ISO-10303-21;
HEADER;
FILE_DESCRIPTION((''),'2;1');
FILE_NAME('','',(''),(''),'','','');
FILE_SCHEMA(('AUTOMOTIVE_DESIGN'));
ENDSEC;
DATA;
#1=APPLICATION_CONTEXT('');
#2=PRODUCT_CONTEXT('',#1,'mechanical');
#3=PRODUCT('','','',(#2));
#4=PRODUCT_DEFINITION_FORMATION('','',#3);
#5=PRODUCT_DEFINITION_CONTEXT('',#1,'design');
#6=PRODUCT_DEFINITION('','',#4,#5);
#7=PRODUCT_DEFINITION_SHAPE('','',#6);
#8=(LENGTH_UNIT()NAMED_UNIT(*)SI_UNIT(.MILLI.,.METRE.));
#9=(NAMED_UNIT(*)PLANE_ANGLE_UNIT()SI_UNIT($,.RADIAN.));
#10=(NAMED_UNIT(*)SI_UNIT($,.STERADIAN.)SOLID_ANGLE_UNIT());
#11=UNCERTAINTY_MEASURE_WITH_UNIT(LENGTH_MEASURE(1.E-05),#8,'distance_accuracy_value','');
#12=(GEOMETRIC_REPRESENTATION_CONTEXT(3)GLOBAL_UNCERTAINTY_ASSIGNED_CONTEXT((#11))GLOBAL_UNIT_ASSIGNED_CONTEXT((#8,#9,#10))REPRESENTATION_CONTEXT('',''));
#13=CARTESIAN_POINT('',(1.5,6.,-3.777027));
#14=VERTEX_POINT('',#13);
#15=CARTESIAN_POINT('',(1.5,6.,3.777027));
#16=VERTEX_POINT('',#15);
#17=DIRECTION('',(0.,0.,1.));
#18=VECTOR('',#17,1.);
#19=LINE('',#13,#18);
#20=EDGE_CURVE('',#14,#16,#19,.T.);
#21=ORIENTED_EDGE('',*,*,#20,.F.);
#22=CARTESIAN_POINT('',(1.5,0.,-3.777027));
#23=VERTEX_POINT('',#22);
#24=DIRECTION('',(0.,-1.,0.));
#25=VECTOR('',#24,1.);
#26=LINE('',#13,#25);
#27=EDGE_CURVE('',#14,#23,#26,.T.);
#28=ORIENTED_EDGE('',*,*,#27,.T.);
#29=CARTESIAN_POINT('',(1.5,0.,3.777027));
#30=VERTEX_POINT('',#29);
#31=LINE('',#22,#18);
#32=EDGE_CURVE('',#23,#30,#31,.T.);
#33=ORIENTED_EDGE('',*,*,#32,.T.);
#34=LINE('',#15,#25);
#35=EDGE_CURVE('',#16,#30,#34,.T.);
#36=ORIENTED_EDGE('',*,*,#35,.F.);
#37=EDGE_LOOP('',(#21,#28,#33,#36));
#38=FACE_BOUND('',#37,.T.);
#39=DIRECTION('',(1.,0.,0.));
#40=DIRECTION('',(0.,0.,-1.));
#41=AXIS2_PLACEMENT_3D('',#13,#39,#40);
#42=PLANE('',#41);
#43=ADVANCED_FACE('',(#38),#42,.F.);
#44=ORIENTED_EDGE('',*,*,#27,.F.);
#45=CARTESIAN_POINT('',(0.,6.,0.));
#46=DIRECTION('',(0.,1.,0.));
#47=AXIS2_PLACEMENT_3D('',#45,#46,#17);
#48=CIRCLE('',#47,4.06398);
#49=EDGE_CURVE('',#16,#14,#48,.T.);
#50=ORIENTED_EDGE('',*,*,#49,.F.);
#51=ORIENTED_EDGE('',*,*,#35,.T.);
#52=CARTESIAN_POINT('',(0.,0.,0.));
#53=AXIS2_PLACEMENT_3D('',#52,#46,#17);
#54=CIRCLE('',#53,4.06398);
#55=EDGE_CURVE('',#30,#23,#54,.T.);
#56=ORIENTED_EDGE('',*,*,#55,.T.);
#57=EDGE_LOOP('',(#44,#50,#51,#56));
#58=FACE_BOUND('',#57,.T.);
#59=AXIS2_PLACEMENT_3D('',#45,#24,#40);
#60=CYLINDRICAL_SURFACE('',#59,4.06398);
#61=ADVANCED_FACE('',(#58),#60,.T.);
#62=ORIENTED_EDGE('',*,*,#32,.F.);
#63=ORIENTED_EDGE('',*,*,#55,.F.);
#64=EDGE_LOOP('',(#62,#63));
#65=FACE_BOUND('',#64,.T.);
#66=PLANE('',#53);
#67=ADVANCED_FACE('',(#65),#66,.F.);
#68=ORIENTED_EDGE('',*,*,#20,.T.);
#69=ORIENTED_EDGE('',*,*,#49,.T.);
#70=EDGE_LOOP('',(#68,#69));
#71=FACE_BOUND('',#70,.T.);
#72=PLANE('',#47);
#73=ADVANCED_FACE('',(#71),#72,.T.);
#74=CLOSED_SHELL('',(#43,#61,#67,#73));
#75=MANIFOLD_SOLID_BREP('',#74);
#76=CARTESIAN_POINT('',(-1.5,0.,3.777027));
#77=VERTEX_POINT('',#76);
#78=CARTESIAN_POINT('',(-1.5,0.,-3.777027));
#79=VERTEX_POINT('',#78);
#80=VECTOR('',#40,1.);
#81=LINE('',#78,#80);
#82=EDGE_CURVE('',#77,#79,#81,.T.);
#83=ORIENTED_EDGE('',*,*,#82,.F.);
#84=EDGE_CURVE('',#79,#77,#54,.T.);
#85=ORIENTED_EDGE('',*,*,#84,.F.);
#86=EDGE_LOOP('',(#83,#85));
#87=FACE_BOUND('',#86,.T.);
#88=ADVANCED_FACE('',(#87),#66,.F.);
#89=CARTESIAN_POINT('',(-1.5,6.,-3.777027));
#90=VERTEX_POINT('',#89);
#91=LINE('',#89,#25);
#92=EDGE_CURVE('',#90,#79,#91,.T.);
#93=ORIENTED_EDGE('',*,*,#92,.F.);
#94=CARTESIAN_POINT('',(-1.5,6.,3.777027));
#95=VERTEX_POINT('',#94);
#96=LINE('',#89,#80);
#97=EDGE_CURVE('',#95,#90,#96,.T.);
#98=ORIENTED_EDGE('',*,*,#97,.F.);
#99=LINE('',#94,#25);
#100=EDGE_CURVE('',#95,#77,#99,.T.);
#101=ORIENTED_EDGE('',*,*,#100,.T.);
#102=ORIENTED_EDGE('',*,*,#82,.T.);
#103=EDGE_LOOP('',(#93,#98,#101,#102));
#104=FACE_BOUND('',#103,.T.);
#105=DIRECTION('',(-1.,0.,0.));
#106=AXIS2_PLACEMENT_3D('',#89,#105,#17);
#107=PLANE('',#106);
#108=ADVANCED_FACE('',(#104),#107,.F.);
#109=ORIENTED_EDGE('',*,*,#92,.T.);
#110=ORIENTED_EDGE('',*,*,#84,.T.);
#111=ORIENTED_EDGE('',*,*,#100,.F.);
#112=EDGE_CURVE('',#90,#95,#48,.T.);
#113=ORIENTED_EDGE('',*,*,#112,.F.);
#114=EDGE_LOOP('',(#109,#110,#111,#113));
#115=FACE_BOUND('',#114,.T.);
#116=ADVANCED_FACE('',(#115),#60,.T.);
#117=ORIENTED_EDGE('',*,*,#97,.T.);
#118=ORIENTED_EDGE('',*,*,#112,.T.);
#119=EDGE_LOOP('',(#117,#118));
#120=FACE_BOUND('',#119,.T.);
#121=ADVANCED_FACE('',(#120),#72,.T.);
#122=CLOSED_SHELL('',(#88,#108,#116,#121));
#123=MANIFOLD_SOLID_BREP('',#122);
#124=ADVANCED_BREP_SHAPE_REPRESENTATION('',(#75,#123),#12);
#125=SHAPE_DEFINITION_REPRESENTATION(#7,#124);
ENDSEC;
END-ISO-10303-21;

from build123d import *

# Parameters (mm, degrees)
BOSS_EXTRUDE1_DEPTH   = 6
BOSS_EXTRUDE1_2_DEPTH = 6


with BuildPart() as part:
    # Sketch2 → Boss-Extrude1 (new body)
    with BuildSketch(Plane(origin=(0, 0, 0), x_dir=(1, 0, 0), z_dir=(0, 1, 0))):
        with BuildLine():
            Line((-1.5, 3.777027027), (-1.5, -3.777027027))
            ThreePointArc((-1.5, -3.777027027), (-4.063979966, 0), (-1.5, 3.777027027))
        make_face()
    extrude(amount=BOSS_EXTRUDE1_DEPTH)


with BuildPart() as body_2:
    # Sketch2 → Boss-Extrude1 2 (new body)
    with BuildSketch(Plane(origin=(0, 0, 0), x_dir=(1, 0, 0), z_dir=(0, 1, 0))):
        with BuildLine():
            Line((1.5, 3.777027027), (1.5, -3.777027027))
            ThreePointArc((1.5, -3.777027027), (4.063979966, 0), (1.5, 3.777027027))
        make_face()
    extrude(amount=BOSS_EXTRUDE1_2_DEPTH)


solid = Compound([part.part, body_2.part])
